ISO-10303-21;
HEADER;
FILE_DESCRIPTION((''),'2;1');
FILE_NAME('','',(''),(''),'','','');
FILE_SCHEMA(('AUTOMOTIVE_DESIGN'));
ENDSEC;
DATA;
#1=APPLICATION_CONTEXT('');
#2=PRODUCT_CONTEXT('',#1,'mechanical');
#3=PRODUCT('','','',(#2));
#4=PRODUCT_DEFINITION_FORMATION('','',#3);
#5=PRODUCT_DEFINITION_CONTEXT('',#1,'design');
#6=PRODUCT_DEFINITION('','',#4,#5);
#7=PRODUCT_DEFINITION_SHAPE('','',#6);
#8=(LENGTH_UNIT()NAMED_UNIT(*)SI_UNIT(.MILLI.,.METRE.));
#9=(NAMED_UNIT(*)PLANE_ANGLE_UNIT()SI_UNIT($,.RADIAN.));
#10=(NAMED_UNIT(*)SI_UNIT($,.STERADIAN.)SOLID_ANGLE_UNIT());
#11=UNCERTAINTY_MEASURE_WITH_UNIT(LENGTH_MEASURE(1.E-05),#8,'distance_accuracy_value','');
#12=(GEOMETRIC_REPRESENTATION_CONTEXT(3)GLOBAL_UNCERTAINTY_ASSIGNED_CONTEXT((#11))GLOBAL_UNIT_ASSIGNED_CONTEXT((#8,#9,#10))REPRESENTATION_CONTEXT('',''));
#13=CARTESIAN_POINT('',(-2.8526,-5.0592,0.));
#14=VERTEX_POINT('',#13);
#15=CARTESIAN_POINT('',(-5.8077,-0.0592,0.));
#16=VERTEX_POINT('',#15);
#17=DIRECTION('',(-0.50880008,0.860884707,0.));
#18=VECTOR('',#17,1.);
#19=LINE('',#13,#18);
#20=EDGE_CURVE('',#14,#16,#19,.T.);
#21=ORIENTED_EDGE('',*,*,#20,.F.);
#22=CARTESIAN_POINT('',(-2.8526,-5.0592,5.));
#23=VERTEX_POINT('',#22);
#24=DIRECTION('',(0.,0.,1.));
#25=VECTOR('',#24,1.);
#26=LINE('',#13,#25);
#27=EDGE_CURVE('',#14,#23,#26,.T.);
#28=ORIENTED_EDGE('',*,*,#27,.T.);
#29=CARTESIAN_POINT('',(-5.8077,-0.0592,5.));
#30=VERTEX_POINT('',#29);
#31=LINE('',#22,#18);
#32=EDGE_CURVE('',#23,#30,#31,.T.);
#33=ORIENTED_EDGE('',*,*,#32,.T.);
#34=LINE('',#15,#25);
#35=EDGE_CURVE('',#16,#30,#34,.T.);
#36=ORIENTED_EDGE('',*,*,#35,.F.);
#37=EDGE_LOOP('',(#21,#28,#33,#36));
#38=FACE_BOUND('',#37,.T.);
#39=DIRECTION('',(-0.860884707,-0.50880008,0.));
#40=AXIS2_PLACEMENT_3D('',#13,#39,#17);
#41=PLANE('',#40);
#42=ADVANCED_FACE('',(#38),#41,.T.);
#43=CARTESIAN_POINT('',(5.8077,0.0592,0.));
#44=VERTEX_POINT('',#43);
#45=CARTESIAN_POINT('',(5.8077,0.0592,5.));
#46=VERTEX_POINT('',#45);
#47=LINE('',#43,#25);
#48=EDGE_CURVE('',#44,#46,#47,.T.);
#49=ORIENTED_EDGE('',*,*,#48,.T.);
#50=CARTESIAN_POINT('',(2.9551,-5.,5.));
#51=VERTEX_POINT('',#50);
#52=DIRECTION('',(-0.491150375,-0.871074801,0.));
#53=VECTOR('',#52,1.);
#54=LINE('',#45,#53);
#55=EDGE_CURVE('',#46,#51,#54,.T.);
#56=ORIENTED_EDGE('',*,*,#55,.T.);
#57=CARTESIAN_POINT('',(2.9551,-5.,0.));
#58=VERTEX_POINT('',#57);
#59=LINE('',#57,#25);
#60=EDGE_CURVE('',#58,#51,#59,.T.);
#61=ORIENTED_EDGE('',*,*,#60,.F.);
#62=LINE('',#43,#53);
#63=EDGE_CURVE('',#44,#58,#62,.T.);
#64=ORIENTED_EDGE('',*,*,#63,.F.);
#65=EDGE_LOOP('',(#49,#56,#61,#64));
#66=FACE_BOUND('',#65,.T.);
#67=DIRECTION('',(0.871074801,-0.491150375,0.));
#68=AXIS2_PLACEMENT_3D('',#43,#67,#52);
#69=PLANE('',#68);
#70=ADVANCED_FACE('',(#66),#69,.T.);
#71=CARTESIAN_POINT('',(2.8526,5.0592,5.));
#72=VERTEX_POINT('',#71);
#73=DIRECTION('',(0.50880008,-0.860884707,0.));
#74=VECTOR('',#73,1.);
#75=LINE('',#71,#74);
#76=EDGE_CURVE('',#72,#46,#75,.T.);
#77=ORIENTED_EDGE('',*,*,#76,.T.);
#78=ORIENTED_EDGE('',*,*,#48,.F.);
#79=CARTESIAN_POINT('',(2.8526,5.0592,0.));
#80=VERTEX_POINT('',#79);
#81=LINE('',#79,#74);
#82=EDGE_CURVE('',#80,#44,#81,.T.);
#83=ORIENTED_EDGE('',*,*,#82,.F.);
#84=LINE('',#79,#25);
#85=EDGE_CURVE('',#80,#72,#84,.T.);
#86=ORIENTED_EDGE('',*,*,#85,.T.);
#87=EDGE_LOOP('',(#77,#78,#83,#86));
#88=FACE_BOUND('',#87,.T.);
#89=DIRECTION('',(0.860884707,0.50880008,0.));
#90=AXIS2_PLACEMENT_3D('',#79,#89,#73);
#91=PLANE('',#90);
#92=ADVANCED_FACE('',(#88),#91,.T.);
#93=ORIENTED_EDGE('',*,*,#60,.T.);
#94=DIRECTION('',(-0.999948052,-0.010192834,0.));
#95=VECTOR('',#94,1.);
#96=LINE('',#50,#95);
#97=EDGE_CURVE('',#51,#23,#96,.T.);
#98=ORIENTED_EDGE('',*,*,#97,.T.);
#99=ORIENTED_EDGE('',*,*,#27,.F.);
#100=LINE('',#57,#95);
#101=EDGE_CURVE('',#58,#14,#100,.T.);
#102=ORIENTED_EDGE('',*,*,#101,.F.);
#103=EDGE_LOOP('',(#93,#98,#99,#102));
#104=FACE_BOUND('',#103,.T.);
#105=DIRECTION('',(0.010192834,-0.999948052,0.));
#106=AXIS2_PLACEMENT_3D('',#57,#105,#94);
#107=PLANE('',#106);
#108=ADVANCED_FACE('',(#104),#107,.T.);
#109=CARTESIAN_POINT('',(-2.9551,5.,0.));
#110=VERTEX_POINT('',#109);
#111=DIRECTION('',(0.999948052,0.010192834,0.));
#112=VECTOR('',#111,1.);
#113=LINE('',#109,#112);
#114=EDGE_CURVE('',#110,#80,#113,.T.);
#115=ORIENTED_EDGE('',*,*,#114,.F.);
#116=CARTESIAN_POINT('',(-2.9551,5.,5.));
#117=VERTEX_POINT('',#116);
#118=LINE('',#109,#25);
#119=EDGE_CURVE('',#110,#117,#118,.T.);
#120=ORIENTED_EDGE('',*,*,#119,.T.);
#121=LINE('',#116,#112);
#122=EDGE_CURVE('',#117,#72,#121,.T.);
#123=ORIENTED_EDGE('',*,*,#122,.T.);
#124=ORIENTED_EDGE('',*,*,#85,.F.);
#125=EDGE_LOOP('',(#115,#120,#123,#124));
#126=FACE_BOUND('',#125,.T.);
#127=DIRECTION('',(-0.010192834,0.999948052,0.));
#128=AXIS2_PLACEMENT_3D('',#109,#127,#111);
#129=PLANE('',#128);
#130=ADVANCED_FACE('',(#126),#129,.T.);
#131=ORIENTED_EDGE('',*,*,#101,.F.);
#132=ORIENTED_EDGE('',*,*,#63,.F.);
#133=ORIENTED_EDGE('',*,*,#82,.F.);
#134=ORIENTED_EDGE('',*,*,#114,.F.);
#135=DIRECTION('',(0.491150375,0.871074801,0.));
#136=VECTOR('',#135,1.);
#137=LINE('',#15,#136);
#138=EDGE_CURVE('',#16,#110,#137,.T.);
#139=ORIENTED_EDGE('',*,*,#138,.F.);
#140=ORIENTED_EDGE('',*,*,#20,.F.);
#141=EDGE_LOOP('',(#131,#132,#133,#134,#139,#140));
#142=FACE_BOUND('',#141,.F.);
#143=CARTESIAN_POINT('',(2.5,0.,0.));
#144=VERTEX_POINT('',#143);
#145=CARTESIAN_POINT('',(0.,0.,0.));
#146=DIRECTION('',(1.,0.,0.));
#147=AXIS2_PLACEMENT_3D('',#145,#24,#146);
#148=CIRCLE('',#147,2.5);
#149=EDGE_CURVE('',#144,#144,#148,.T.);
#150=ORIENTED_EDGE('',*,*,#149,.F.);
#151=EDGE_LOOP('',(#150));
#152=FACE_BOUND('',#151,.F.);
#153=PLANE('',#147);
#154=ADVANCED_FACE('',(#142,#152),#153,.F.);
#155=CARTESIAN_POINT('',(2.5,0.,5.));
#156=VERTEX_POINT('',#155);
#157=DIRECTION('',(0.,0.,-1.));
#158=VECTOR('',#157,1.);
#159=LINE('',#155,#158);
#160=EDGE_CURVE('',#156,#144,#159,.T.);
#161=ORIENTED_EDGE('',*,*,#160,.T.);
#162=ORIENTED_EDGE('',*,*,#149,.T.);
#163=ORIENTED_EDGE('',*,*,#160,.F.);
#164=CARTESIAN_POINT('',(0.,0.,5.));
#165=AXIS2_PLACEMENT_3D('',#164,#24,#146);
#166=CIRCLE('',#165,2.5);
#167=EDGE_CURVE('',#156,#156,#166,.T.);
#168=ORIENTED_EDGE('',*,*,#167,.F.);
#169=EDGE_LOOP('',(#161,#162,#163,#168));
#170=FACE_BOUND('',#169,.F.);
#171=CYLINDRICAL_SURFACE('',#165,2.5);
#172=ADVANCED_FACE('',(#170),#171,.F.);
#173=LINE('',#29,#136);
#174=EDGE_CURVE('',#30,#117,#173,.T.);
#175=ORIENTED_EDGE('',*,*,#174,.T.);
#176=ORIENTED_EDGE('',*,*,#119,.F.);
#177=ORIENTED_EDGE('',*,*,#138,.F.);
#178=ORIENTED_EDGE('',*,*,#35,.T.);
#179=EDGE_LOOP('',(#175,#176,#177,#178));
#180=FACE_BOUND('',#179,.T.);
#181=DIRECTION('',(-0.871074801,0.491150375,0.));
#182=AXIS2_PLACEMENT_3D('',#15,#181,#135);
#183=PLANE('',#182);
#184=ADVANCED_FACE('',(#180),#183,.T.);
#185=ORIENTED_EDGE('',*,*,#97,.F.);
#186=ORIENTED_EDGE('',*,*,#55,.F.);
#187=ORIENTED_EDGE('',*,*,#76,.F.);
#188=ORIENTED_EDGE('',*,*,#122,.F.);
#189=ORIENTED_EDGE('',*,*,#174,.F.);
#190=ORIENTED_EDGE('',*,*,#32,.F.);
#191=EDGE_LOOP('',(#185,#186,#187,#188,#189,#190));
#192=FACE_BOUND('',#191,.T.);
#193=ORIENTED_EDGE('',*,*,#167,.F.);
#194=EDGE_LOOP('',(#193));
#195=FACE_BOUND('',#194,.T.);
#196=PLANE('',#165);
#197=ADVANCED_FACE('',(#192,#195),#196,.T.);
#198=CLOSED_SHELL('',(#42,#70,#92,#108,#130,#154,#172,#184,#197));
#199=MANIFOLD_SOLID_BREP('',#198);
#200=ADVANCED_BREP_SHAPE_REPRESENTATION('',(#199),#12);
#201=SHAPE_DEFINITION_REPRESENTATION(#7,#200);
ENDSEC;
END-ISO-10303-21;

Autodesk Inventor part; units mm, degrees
ref_plane "YZ Plane" through (0, 0, 0) normal (1, 0, 0) x (0, 1, 0)
ref_plane "XZ Plane" through (0, 0, 0) normal (0, 1, 0) x (-1, 0, 0)
ref_plane "XY Plane" through (0, 0, 0) normal (0, 0, 1) x (1, 0, 0)
sketch "Sketch1" plane through (0, 0, 0) normal (0, 0, 1) x (1, 0, 0)
  circle A0 centre (0, 0) radius 5
  line L0 (2.9551, -5) -> (-2.8526, -5.0592)
  line L1 (-2.8526, -5.0592) -> (-5.8077, -0.0592)
  line L2 (-5.8077, -0.0592) -> (-2.9551, 5)
  line L3 (-2.9551, 5) -> (2.8526, 5.0592)
  line L4 (2.8526, 5.0592) -> (5.8077, 0.0592)
  line L5 (5.8077, 0.0592) -> (2.9551, -5)
  dimension "d0" = 10
extrude "Extrusion1" add sketch "Sketch1" along normal blind 5 contours A0 | L0 L1 L2 L3 L4 L5
sketch "Sketch2" plane through (0, 0, 5) normal (0, 0, 1) x (1, 0, 0)
  circle A0 centre (0, 0) radius 2.5
  dimension "d3" = 5
extrude "Extrusion2" cut sketch "Sketch2" against normal blind 12.5
thread "Thread1" size "M5x0.8" class "6H" standard "ANSI Metric M Profile" full length
properties part number "Nut"
